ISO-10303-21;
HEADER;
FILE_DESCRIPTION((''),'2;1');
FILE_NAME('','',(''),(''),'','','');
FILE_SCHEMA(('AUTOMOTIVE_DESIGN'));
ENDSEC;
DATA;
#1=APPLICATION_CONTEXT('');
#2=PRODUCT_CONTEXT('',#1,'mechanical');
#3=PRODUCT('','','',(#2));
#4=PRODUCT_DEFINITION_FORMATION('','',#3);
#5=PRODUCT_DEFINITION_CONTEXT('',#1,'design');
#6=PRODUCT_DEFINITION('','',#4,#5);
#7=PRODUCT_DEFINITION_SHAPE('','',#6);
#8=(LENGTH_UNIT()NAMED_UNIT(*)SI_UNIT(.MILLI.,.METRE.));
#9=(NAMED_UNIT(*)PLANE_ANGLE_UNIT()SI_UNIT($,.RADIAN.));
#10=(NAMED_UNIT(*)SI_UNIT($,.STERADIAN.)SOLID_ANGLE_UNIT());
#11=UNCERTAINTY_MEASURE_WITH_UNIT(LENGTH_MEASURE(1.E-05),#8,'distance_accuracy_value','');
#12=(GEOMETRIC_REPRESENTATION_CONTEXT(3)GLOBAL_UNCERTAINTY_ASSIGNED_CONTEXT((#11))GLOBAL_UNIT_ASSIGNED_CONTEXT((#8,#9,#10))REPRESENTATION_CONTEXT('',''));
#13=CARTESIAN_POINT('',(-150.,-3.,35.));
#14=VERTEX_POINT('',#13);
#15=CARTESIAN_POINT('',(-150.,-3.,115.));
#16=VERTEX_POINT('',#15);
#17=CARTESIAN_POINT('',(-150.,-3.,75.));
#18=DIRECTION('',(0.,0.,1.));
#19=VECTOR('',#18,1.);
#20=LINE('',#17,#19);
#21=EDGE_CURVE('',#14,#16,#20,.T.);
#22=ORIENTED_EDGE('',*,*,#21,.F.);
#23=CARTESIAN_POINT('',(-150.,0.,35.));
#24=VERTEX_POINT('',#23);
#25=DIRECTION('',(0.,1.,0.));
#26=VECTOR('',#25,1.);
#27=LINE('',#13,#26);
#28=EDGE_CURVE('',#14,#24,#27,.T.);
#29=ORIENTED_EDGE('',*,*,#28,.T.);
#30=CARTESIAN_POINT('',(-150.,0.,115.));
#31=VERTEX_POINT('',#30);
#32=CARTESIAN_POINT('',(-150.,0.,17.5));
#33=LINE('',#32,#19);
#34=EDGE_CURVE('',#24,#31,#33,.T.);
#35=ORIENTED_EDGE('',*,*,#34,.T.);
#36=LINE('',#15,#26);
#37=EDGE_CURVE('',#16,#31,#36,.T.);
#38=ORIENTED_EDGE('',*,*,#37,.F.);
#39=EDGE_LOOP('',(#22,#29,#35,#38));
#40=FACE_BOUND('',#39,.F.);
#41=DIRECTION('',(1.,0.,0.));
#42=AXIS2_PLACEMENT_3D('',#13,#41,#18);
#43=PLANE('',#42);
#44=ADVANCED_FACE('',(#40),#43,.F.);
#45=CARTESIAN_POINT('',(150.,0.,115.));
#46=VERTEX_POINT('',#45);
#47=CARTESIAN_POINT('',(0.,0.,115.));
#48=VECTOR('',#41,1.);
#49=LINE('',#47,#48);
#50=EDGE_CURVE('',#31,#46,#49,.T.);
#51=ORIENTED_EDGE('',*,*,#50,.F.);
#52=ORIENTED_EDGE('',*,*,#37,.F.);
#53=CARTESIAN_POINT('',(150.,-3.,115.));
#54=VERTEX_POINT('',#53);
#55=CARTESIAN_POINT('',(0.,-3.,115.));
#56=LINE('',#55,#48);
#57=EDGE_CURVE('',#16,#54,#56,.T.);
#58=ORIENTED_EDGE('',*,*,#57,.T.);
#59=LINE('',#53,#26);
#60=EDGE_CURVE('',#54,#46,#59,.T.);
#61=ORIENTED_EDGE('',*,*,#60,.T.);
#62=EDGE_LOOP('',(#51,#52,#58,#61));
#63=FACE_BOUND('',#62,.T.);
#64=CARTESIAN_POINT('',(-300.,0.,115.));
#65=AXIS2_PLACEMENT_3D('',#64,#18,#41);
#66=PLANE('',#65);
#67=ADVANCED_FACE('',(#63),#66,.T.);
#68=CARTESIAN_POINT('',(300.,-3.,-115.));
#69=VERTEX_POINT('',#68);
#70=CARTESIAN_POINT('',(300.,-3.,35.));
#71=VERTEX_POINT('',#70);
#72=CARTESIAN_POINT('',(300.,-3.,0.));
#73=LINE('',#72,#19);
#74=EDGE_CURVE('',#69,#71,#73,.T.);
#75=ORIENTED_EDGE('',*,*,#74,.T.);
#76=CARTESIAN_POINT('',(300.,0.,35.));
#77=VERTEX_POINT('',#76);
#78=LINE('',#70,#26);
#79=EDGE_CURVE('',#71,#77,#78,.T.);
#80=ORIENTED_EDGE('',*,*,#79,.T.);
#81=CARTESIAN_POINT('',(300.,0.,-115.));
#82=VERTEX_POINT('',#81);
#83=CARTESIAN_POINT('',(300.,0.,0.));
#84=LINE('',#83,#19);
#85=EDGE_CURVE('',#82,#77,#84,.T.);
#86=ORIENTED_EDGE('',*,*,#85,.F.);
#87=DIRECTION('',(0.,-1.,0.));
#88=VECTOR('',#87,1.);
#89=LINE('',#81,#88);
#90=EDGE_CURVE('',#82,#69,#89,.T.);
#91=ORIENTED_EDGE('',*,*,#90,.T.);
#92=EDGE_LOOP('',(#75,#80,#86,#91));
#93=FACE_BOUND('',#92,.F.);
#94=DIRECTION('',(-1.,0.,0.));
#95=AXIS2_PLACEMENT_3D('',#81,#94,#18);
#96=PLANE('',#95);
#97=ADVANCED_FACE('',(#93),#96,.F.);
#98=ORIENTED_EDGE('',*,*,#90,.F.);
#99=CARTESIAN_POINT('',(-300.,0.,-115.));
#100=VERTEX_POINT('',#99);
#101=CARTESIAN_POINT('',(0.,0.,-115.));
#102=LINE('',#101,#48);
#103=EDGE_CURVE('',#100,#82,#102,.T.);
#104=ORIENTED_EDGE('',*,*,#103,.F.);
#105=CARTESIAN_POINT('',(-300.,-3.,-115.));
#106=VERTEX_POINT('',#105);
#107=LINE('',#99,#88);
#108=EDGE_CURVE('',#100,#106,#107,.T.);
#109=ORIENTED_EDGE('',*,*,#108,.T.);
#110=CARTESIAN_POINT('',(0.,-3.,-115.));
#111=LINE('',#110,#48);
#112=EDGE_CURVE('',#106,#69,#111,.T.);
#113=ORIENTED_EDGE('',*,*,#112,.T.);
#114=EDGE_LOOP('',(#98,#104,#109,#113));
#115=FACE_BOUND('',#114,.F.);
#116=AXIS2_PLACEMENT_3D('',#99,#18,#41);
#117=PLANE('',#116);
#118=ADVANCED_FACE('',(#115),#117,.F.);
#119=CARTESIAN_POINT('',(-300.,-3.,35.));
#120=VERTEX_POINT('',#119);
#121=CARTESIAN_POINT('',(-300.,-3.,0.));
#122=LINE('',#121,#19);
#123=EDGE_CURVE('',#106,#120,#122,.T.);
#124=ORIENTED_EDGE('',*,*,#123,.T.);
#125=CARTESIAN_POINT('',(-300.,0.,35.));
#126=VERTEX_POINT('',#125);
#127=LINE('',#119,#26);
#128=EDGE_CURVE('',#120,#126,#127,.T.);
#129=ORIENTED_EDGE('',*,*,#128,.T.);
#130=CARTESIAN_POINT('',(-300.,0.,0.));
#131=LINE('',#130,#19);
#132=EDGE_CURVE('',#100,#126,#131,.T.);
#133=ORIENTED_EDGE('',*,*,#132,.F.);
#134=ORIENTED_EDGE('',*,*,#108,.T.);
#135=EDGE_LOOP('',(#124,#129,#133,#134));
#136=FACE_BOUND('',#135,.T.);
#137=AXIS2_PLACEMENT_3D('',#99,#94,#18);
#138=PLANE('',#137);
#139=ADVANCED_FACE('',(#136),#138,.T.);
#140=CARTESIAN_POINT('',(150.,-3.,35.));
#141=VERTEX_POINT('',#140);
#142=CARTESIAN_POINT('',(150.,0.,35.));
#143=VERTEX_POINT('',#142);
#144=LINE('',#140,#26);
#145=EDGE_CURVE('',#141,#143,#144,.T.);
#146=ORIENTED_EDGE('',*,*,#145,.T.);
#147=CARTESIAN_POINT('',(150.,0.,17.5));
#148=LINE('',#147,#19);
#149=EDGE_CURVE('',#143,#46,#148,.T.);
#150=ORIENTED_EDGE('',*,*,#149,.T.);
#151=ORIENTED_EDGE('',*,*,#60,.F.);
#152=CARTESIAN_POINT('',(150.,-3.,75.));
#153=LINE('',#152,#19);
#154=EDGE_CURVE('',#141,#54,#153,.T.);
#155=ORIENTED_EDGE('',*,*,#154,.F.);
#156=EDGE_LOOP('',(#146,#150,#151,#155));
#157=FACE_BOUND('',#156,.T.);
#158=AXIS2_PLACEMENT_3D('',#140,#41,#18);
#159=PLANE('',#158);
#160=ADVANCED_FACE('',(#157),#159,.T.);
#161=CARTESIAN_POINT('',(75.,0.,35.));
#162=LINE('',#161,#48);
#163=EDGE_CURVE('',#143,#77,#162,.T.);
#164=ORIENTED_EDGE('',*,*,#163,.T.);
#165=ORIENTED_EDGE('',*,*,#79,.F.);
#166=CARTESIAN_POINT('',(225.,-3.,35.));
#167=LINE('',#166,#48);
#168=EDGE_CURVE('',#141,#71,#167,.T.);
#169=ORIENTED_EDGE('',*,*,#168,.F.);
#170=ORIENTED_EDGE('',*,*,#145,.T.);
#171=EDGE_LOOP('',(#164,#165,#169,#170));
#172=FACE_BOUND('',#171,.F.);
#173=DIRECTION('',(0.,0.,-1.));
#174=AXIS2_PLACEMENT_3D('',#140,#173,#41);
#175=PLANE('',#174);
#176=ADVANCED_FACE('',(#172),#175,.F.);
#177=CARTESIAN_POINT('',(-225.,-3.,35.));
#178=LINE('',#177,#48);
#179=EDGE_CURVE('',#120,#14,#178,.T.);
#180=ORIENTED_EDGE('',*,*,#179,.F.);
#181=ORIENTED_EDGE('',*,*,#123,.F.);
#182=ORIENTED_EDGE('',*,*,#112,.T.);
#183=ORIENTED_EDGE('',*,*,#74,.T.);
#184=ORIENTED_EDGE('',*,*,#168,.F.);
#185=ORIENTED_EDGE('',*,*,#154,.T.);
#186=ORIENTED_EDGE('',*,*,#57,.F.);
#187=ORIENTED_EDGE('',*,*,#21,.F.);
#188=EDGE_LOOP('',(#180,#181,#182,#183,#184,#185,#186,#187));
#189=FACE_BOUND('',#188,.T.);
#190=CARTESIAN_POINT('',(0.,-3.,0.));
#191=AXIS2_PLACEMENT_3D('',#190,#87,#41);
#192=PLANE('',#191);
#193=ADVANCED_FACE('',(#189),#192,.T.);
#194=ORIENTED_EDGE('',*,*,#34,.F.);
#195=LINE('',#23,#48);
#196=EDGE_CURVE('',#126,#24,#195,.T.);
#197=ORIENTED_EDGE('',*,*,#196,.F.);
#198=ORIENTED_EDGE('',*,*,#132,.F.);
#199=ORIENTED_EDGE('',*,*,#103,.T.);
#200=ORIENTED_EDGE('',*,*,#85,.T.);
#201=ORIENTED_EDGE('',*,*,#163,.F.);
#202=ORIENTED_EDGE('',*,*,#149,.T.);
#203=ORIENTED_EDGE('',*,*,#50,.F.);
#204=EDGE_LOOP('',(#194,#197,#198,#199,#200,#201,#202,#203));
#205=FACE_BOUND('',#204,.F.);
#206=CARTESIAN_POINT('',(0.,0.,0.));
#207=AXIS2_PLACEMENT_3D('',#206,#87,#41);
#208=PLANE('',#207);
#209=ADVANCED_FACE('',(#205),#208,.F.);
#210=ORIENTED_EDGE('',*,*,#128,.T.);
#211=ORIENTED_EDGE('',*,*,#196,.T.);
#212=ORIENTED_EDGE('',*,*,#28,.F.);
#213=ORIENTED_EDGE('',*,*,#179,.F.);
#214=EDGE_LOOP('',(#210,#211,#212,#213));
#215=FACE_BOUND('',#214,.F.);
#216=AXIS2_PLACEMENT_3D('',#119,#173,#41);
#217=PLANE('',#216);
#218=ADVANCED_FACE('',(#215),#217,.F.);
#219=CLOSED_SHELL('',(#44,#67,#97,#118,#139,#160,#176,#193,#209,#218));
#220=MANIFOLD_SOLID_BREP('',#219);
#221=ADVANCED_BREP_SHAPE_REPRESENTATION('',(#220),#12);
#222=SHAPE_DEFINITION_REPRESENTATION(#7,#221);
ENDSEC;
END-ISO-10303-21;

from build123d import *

# Parameters (mm, degrees)
F0_W     = 600
F0_H     = 230
F1_DEPTH = 3
F2_W     = 150
F2_H     = 80
F3_DEPTH = 3.001
F4_W     = 150
F4_H     = 80
F5_DEPTH = 3.001


with BuildPart() as f1:
    # F0 (on Front) → F1 (new body)
    with BuildSketch(Plane.XZ):
        Rectangle(F0_W, F0_H)
    extrude(amount=F1_DEPTH)

    # F2 (on face) → F3 (cut, through all)
    with BuildSketch(Plane.XZ.offset(3)):
        with Locations((-225, 75)):
            Rectangle(F2_W, F2_H)
    extrude(amount=-F3_DEPTH, mode=Mode.SUBTRACT)

    # F4 (on face) → F5 (cut, through all)
    with BuildSketch(Plane.XZ.offset(3)):
        with Locations((225, 75)):
            Rectangle(F4_W, F4_H)
    extrude(amount=-F5_DEPTH, mode=Mode.SUBTRACT)


solid = f1.part
